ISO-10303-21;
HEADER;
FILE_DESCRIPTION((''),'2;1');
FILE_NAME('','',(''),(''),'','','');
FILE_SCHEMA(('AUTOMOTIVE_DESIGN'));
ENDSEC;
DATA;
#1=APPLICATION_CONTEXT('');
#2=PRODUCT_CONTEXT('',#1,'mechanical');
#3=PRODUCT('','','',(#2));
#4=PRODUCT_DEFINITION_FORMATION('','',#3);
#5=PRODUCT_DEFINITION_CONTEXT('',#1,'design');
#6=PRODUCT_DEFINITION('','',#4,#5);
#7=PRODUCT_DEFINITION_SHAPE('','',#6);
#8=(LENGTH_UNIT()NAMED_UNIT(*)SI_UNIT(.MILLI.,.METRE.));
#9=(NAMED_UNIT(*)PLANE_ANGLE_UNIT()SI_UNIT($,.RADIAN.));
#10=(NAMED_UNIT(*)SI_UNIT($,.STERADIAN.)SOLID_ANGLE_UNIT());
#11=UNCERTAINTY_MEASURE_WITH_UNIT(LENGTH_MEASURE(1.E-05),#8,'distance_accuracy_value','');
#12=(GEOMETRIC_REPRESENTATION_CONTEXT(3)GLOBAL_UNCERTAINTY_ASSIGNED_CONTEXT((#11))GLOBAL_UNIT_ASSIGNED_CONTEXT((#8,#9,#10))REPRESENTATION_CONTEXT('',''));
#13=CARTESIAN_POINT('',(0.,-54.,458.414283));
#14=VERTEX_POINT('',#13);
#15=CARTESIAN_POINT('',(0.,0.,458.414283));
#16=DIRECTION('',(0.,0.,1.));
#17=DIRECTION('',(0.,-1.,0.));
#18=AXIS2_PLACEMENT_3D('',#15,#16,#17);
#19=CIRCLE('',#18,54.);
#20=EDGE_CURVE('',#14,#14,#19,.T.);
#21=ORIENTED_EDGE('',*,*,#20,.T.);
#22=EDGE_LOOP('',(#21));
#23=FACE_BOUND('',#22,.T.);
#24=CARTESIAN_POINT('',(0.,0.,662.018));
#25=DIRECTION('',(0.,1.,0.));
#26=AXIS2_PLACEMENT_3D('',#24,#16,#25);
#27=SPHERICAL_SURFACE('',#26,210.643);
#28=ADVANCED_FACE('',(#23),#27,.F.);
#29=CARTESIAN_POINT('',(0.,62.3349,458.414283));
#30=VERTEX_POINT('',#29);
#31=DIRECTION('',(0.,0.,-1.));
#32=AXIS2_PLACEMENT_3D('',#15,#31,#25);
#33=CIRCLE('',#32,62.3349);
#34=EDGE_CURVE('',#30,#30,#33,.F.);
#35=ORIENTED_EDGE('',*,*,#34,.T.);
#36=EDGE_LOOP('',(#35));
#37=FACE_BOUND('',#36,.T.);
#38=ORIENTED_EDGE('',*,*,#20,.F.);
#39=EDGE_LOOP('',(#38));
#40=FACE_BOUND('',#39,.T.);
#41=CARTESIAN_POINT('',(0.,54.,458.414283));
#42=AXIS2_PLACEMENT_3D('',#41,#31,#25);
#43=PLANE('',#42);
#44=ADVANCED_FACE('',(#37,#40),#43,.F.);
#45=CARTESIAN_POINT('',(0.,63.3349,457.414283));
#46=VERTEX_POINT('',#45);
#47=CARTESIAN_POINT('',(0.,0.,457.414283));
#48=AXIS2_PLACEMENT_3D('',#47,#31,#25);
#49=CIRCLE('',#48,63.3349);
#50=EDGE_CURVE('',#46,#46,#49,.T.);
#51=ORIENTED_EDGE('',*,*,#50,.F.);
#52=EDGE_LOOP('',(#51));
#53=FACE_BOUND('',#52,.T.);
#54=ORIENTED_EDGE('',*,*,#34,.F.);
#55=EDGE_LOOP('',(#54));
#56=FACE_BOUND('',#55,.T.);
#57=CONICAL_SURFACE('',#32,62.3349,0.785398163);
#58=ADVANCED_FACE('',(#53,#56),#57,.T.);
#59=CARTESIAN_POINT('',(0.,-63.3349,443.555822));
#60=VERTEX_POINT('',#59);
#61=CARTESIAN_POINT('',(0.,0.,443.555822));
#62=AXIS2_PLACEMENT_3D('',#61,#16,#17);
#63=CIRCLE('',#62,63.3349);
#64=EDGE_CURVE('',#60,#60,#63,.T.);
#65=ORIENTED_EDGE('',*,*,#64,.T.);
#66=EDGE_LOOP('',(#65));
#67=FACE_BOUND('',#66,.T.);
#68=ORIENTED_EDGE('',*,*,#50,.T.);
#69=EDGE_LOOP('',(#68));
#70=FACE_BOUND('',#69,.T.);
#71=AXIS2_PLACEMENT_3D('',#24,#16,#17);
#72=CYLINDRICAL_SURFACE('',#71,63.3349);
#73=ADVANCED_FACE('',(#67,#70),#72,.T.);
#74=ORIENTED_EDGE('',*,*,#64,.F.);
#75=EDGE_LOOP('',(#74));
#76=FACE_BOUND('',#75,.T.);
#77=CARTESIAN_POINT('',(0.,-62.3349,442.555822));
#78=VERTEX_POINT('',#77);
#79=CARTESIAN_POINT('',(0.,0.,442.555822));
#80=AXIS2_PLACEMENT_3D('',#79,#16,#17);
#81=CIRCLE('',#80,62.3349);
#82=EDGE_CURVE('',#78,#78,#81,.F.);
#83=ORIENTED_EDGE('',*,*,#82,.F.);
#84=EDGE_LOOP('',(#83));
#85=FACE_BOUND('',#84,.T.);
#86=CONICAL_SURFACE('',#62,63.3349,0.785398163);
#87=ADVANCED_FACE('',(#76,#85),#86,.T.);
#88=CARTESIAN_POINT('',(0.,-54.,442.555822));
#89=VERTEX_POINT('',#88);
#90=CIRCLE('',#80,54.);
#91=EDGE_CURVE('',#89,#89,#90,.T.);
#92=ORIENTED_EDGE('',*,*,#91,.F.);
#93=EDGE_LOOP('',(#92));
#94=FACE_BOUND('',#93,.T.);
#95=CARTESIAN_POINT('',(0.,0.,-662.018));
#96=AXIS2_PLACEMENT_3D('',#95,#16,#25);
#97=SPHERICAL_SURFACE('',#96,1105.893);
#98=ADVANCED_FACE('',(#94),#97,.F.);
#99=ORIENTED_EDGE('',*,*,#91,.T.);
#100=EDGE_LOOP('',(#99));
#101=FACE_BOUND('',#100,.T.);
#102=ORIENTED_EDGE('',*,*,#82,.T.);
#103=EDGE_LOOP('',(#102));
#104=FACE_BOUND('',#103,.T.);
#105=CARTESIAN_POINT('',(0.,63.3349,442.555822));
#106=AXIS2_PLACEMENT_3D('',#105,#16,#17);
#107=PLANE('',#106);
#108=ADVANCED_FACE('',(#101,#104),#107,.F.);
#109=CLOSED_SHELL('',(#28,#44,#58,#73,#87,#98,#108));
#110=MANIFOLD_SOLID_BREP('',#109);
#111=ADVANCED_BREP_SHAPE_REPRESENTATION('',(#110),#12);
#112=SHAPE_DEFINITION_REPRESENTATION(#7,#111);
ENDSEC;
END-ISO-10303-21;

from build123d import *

# Parameters (mm, degrees)
CHAMFER1_SIZE = 1


with BuildPart() as part:
    # Sketch1 → Revolve3 (revolve)
    with BuildSketch(Plane(origin=(0, 0, 0), x_dir=(0, 0, -1), z_dir=(1, 0, 0))):
        with BuildLine():
            Line((-458.414283312, 54), (-458.414283312, 63.3349))
            Line((-458.414283312, 63.3349), (-442.555821638, 63.3349))
            Line((-442.555821638, 63.3349), (-442.555821638, 54))
            ThreePointArc((-442.555821638, 54), (-443.54515622, 27.008055426), (-443.875, 0))
            Line((-443.875, 0), (-451.375, 0))
            ThreePointArc((-451.375, 0), (-453.142234121, 27.228438761), (-458.414283312, 54))
        make_face()
    revolve(axis=Axis((0, 0, 662.018), (0, 0, -1)))

    # Chamfer1
    chamfer1_edges = [part.edges().sort_by_distance(p)[0] for p in [
        (0, -63.3349, 442.555821638),
        (0, -63.3349, 458.414283312),
    ]]
    chamfer(chamfer1_edges, length=CHAMFER1_SIZE)


solid = part.part
